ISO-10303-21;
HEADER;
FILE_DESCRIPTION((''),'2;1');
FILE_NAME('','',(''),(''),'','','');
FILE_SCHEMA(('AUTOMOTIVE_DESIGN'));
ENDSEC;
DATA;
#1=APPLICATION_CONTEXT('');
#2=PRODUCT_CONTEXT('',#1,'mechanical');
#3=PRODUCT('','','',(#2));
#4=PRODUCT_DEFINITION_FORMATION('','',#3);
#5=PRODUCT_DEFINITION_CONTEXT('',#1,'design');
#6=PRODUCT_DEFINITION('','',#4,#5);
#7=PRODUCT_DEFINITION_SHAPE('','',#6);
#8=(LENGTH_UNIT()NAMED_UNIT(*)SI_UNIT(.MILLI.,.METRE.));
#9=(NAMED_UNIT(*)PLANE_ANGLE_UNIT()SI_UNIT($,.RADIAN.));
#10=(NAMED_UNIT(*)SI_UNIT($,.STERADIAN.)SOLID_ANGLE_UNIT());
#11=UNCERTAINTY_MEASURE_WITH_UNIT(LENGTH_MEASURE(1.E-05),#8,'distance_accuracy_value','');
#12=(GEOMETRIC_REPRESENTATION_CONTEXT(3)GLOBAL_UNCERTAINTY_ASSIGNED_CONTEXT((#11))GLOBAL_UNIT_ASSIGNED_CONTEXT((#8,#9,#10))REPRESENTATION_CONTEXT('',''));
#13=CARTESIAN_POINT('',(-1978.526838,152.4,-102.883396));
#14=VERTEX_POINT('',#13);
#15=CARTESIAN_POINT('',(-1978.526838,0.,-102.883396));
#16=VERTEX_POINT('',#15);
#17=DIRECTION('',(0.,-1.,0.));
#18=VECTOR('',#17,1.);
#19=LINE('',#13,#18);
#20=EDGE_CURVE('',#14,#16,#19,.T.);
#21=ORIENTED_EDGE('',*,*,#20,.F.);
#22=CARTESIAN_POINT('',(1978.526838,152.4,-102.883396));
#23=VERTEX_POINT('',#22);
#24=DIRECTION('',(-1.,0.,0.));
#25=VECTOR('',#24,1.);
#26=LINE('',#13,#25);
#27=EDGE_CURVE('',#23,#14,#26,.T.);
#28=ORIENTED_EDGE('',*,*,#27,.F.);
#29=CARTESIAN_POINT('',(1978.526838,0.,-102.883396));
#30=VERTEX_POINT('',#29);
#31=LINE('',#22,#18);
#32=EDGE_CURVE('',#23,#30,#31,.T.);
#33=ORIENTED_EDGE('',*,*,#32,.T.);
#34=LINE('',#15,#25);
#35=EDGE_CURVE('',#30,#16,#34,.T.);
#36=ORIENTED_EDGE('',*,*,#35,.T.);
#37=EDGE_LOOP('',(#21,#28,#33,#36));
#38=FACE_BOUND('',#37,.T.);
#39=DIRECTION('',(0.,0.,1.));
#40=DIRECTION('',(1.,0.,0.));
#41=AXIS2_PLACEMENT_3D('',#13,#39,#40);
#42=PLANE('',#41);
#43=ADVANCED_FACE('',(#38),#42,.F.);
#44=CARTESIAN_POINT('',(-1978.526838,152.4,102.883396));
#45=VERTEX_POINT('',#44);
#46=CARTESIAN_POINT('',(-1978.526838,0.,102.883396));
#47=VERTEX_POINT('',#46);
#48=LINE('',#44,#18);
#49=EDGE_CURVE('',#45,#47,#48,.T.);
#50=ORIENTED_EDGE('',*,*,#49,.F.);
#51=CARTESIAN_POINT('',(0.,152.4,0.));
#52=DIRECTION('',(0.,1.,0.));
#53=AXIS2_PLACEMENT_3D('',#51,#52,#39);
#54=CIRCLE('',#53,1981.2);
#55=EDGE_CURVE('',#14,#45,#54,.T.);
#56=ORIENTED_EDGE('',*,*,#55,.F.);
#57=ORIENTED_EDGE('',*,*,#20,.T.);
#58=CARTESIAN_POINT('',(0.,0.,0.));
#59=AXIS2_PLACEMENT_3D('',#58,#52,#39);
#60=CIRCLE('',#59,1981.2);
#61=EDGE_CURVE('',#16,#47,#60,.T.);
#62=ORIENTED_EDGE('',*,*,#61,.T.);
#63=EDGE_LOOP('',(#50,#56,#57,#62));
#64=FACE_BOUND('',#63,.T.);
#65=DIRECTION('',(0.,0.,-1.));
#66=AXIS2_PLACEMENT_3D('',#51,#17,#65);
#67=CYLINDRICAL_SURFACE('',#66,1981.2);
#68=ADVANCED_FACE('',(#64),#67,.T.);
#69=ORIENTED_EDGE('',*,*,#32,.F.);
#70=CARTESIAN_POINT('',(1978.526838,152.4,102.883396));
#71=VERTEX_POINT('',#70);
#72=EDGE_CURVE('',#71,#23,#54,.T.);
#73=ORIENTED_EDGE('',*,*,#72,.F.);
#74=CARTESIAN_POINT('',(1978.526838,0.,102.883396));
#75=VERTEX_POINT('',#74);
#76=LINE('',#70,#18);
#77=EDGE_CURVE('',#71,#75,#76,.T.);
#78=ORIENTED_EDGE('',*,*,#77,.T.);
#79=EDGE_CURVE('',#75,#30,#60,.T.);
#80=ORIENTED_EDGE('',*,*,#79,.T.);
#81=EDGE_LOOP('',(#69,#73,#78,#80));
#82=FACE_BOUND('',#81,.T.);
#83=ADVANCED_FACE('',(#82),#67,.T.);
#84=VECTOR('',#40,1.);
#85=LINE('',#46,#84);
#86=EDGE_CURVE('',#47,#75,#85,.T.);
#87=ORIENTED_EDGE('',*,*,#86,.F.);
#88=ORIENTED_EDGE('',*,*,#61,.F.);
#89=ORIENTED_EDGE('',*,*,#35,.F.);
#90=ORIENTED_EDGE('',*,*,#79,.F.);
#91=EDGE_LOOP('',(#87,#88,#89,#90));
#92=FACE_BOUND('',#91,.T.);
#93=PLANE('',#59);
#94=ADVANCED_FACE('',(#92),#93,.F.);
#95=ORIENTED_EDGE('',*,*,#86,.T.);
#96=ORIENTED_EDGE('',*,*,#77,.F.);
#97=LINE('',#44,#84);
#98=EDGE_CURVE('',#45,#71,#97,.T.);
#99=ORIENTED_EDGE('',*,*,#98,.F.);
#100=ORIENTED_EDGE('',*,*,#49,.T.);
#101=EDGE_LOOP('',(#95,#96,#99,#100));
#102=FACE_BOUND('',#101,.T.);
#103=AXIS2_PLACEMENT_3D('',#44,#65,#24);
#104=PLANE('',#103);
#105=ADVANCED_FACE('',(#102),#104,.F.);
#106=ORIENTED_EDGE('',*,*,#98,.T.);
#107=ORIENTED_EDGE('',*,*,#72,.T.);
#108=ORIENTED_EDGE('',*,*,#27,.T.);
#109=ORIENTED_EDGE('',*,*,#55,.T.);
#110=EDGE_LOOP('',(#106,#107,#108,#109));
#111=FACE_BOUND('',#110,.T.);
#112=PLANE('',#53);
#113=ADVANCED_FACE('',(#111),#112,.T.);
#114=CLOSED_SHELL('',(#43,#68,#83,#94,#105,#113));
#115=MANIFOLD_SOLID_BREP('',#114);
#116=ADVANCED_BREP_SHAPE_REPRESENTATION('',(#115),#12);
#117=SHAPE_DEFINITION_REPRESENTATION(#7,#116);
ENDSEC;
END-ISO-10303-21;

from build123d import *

# Parameters (mm, degrees)
BOSS_EXTRUDE1_DEPTH = 152.4


with BuildPart() as part:
    # Sketch1 → Boss-Extrude1 (new body)
    with BuildSketch(Plane(origin=(0, 0, 0), x_dir=(1, 0, 0), z_dir=(0, 1, 0))):
        with BuildLine():
            Line((-1978.526837554, 102.883395553), (1978.526837554, 102.883395553))
            ThreePointArc((1978.526837554, 102.883395553), (1981.2, 0), (1978.526837554, -102.883395553))
            Line((1978.526837554, -102.883395553), (-1978.526837554, -102.883395553))
            ThreePointArc((-1978.526837554, -102.883395553), (-1981.2, 0), (-1978.526837554, 102.883395553))
        make_face()
    extrude(amount=BOSS_EXTRUDE1_DEPTH)


solid = part.part
